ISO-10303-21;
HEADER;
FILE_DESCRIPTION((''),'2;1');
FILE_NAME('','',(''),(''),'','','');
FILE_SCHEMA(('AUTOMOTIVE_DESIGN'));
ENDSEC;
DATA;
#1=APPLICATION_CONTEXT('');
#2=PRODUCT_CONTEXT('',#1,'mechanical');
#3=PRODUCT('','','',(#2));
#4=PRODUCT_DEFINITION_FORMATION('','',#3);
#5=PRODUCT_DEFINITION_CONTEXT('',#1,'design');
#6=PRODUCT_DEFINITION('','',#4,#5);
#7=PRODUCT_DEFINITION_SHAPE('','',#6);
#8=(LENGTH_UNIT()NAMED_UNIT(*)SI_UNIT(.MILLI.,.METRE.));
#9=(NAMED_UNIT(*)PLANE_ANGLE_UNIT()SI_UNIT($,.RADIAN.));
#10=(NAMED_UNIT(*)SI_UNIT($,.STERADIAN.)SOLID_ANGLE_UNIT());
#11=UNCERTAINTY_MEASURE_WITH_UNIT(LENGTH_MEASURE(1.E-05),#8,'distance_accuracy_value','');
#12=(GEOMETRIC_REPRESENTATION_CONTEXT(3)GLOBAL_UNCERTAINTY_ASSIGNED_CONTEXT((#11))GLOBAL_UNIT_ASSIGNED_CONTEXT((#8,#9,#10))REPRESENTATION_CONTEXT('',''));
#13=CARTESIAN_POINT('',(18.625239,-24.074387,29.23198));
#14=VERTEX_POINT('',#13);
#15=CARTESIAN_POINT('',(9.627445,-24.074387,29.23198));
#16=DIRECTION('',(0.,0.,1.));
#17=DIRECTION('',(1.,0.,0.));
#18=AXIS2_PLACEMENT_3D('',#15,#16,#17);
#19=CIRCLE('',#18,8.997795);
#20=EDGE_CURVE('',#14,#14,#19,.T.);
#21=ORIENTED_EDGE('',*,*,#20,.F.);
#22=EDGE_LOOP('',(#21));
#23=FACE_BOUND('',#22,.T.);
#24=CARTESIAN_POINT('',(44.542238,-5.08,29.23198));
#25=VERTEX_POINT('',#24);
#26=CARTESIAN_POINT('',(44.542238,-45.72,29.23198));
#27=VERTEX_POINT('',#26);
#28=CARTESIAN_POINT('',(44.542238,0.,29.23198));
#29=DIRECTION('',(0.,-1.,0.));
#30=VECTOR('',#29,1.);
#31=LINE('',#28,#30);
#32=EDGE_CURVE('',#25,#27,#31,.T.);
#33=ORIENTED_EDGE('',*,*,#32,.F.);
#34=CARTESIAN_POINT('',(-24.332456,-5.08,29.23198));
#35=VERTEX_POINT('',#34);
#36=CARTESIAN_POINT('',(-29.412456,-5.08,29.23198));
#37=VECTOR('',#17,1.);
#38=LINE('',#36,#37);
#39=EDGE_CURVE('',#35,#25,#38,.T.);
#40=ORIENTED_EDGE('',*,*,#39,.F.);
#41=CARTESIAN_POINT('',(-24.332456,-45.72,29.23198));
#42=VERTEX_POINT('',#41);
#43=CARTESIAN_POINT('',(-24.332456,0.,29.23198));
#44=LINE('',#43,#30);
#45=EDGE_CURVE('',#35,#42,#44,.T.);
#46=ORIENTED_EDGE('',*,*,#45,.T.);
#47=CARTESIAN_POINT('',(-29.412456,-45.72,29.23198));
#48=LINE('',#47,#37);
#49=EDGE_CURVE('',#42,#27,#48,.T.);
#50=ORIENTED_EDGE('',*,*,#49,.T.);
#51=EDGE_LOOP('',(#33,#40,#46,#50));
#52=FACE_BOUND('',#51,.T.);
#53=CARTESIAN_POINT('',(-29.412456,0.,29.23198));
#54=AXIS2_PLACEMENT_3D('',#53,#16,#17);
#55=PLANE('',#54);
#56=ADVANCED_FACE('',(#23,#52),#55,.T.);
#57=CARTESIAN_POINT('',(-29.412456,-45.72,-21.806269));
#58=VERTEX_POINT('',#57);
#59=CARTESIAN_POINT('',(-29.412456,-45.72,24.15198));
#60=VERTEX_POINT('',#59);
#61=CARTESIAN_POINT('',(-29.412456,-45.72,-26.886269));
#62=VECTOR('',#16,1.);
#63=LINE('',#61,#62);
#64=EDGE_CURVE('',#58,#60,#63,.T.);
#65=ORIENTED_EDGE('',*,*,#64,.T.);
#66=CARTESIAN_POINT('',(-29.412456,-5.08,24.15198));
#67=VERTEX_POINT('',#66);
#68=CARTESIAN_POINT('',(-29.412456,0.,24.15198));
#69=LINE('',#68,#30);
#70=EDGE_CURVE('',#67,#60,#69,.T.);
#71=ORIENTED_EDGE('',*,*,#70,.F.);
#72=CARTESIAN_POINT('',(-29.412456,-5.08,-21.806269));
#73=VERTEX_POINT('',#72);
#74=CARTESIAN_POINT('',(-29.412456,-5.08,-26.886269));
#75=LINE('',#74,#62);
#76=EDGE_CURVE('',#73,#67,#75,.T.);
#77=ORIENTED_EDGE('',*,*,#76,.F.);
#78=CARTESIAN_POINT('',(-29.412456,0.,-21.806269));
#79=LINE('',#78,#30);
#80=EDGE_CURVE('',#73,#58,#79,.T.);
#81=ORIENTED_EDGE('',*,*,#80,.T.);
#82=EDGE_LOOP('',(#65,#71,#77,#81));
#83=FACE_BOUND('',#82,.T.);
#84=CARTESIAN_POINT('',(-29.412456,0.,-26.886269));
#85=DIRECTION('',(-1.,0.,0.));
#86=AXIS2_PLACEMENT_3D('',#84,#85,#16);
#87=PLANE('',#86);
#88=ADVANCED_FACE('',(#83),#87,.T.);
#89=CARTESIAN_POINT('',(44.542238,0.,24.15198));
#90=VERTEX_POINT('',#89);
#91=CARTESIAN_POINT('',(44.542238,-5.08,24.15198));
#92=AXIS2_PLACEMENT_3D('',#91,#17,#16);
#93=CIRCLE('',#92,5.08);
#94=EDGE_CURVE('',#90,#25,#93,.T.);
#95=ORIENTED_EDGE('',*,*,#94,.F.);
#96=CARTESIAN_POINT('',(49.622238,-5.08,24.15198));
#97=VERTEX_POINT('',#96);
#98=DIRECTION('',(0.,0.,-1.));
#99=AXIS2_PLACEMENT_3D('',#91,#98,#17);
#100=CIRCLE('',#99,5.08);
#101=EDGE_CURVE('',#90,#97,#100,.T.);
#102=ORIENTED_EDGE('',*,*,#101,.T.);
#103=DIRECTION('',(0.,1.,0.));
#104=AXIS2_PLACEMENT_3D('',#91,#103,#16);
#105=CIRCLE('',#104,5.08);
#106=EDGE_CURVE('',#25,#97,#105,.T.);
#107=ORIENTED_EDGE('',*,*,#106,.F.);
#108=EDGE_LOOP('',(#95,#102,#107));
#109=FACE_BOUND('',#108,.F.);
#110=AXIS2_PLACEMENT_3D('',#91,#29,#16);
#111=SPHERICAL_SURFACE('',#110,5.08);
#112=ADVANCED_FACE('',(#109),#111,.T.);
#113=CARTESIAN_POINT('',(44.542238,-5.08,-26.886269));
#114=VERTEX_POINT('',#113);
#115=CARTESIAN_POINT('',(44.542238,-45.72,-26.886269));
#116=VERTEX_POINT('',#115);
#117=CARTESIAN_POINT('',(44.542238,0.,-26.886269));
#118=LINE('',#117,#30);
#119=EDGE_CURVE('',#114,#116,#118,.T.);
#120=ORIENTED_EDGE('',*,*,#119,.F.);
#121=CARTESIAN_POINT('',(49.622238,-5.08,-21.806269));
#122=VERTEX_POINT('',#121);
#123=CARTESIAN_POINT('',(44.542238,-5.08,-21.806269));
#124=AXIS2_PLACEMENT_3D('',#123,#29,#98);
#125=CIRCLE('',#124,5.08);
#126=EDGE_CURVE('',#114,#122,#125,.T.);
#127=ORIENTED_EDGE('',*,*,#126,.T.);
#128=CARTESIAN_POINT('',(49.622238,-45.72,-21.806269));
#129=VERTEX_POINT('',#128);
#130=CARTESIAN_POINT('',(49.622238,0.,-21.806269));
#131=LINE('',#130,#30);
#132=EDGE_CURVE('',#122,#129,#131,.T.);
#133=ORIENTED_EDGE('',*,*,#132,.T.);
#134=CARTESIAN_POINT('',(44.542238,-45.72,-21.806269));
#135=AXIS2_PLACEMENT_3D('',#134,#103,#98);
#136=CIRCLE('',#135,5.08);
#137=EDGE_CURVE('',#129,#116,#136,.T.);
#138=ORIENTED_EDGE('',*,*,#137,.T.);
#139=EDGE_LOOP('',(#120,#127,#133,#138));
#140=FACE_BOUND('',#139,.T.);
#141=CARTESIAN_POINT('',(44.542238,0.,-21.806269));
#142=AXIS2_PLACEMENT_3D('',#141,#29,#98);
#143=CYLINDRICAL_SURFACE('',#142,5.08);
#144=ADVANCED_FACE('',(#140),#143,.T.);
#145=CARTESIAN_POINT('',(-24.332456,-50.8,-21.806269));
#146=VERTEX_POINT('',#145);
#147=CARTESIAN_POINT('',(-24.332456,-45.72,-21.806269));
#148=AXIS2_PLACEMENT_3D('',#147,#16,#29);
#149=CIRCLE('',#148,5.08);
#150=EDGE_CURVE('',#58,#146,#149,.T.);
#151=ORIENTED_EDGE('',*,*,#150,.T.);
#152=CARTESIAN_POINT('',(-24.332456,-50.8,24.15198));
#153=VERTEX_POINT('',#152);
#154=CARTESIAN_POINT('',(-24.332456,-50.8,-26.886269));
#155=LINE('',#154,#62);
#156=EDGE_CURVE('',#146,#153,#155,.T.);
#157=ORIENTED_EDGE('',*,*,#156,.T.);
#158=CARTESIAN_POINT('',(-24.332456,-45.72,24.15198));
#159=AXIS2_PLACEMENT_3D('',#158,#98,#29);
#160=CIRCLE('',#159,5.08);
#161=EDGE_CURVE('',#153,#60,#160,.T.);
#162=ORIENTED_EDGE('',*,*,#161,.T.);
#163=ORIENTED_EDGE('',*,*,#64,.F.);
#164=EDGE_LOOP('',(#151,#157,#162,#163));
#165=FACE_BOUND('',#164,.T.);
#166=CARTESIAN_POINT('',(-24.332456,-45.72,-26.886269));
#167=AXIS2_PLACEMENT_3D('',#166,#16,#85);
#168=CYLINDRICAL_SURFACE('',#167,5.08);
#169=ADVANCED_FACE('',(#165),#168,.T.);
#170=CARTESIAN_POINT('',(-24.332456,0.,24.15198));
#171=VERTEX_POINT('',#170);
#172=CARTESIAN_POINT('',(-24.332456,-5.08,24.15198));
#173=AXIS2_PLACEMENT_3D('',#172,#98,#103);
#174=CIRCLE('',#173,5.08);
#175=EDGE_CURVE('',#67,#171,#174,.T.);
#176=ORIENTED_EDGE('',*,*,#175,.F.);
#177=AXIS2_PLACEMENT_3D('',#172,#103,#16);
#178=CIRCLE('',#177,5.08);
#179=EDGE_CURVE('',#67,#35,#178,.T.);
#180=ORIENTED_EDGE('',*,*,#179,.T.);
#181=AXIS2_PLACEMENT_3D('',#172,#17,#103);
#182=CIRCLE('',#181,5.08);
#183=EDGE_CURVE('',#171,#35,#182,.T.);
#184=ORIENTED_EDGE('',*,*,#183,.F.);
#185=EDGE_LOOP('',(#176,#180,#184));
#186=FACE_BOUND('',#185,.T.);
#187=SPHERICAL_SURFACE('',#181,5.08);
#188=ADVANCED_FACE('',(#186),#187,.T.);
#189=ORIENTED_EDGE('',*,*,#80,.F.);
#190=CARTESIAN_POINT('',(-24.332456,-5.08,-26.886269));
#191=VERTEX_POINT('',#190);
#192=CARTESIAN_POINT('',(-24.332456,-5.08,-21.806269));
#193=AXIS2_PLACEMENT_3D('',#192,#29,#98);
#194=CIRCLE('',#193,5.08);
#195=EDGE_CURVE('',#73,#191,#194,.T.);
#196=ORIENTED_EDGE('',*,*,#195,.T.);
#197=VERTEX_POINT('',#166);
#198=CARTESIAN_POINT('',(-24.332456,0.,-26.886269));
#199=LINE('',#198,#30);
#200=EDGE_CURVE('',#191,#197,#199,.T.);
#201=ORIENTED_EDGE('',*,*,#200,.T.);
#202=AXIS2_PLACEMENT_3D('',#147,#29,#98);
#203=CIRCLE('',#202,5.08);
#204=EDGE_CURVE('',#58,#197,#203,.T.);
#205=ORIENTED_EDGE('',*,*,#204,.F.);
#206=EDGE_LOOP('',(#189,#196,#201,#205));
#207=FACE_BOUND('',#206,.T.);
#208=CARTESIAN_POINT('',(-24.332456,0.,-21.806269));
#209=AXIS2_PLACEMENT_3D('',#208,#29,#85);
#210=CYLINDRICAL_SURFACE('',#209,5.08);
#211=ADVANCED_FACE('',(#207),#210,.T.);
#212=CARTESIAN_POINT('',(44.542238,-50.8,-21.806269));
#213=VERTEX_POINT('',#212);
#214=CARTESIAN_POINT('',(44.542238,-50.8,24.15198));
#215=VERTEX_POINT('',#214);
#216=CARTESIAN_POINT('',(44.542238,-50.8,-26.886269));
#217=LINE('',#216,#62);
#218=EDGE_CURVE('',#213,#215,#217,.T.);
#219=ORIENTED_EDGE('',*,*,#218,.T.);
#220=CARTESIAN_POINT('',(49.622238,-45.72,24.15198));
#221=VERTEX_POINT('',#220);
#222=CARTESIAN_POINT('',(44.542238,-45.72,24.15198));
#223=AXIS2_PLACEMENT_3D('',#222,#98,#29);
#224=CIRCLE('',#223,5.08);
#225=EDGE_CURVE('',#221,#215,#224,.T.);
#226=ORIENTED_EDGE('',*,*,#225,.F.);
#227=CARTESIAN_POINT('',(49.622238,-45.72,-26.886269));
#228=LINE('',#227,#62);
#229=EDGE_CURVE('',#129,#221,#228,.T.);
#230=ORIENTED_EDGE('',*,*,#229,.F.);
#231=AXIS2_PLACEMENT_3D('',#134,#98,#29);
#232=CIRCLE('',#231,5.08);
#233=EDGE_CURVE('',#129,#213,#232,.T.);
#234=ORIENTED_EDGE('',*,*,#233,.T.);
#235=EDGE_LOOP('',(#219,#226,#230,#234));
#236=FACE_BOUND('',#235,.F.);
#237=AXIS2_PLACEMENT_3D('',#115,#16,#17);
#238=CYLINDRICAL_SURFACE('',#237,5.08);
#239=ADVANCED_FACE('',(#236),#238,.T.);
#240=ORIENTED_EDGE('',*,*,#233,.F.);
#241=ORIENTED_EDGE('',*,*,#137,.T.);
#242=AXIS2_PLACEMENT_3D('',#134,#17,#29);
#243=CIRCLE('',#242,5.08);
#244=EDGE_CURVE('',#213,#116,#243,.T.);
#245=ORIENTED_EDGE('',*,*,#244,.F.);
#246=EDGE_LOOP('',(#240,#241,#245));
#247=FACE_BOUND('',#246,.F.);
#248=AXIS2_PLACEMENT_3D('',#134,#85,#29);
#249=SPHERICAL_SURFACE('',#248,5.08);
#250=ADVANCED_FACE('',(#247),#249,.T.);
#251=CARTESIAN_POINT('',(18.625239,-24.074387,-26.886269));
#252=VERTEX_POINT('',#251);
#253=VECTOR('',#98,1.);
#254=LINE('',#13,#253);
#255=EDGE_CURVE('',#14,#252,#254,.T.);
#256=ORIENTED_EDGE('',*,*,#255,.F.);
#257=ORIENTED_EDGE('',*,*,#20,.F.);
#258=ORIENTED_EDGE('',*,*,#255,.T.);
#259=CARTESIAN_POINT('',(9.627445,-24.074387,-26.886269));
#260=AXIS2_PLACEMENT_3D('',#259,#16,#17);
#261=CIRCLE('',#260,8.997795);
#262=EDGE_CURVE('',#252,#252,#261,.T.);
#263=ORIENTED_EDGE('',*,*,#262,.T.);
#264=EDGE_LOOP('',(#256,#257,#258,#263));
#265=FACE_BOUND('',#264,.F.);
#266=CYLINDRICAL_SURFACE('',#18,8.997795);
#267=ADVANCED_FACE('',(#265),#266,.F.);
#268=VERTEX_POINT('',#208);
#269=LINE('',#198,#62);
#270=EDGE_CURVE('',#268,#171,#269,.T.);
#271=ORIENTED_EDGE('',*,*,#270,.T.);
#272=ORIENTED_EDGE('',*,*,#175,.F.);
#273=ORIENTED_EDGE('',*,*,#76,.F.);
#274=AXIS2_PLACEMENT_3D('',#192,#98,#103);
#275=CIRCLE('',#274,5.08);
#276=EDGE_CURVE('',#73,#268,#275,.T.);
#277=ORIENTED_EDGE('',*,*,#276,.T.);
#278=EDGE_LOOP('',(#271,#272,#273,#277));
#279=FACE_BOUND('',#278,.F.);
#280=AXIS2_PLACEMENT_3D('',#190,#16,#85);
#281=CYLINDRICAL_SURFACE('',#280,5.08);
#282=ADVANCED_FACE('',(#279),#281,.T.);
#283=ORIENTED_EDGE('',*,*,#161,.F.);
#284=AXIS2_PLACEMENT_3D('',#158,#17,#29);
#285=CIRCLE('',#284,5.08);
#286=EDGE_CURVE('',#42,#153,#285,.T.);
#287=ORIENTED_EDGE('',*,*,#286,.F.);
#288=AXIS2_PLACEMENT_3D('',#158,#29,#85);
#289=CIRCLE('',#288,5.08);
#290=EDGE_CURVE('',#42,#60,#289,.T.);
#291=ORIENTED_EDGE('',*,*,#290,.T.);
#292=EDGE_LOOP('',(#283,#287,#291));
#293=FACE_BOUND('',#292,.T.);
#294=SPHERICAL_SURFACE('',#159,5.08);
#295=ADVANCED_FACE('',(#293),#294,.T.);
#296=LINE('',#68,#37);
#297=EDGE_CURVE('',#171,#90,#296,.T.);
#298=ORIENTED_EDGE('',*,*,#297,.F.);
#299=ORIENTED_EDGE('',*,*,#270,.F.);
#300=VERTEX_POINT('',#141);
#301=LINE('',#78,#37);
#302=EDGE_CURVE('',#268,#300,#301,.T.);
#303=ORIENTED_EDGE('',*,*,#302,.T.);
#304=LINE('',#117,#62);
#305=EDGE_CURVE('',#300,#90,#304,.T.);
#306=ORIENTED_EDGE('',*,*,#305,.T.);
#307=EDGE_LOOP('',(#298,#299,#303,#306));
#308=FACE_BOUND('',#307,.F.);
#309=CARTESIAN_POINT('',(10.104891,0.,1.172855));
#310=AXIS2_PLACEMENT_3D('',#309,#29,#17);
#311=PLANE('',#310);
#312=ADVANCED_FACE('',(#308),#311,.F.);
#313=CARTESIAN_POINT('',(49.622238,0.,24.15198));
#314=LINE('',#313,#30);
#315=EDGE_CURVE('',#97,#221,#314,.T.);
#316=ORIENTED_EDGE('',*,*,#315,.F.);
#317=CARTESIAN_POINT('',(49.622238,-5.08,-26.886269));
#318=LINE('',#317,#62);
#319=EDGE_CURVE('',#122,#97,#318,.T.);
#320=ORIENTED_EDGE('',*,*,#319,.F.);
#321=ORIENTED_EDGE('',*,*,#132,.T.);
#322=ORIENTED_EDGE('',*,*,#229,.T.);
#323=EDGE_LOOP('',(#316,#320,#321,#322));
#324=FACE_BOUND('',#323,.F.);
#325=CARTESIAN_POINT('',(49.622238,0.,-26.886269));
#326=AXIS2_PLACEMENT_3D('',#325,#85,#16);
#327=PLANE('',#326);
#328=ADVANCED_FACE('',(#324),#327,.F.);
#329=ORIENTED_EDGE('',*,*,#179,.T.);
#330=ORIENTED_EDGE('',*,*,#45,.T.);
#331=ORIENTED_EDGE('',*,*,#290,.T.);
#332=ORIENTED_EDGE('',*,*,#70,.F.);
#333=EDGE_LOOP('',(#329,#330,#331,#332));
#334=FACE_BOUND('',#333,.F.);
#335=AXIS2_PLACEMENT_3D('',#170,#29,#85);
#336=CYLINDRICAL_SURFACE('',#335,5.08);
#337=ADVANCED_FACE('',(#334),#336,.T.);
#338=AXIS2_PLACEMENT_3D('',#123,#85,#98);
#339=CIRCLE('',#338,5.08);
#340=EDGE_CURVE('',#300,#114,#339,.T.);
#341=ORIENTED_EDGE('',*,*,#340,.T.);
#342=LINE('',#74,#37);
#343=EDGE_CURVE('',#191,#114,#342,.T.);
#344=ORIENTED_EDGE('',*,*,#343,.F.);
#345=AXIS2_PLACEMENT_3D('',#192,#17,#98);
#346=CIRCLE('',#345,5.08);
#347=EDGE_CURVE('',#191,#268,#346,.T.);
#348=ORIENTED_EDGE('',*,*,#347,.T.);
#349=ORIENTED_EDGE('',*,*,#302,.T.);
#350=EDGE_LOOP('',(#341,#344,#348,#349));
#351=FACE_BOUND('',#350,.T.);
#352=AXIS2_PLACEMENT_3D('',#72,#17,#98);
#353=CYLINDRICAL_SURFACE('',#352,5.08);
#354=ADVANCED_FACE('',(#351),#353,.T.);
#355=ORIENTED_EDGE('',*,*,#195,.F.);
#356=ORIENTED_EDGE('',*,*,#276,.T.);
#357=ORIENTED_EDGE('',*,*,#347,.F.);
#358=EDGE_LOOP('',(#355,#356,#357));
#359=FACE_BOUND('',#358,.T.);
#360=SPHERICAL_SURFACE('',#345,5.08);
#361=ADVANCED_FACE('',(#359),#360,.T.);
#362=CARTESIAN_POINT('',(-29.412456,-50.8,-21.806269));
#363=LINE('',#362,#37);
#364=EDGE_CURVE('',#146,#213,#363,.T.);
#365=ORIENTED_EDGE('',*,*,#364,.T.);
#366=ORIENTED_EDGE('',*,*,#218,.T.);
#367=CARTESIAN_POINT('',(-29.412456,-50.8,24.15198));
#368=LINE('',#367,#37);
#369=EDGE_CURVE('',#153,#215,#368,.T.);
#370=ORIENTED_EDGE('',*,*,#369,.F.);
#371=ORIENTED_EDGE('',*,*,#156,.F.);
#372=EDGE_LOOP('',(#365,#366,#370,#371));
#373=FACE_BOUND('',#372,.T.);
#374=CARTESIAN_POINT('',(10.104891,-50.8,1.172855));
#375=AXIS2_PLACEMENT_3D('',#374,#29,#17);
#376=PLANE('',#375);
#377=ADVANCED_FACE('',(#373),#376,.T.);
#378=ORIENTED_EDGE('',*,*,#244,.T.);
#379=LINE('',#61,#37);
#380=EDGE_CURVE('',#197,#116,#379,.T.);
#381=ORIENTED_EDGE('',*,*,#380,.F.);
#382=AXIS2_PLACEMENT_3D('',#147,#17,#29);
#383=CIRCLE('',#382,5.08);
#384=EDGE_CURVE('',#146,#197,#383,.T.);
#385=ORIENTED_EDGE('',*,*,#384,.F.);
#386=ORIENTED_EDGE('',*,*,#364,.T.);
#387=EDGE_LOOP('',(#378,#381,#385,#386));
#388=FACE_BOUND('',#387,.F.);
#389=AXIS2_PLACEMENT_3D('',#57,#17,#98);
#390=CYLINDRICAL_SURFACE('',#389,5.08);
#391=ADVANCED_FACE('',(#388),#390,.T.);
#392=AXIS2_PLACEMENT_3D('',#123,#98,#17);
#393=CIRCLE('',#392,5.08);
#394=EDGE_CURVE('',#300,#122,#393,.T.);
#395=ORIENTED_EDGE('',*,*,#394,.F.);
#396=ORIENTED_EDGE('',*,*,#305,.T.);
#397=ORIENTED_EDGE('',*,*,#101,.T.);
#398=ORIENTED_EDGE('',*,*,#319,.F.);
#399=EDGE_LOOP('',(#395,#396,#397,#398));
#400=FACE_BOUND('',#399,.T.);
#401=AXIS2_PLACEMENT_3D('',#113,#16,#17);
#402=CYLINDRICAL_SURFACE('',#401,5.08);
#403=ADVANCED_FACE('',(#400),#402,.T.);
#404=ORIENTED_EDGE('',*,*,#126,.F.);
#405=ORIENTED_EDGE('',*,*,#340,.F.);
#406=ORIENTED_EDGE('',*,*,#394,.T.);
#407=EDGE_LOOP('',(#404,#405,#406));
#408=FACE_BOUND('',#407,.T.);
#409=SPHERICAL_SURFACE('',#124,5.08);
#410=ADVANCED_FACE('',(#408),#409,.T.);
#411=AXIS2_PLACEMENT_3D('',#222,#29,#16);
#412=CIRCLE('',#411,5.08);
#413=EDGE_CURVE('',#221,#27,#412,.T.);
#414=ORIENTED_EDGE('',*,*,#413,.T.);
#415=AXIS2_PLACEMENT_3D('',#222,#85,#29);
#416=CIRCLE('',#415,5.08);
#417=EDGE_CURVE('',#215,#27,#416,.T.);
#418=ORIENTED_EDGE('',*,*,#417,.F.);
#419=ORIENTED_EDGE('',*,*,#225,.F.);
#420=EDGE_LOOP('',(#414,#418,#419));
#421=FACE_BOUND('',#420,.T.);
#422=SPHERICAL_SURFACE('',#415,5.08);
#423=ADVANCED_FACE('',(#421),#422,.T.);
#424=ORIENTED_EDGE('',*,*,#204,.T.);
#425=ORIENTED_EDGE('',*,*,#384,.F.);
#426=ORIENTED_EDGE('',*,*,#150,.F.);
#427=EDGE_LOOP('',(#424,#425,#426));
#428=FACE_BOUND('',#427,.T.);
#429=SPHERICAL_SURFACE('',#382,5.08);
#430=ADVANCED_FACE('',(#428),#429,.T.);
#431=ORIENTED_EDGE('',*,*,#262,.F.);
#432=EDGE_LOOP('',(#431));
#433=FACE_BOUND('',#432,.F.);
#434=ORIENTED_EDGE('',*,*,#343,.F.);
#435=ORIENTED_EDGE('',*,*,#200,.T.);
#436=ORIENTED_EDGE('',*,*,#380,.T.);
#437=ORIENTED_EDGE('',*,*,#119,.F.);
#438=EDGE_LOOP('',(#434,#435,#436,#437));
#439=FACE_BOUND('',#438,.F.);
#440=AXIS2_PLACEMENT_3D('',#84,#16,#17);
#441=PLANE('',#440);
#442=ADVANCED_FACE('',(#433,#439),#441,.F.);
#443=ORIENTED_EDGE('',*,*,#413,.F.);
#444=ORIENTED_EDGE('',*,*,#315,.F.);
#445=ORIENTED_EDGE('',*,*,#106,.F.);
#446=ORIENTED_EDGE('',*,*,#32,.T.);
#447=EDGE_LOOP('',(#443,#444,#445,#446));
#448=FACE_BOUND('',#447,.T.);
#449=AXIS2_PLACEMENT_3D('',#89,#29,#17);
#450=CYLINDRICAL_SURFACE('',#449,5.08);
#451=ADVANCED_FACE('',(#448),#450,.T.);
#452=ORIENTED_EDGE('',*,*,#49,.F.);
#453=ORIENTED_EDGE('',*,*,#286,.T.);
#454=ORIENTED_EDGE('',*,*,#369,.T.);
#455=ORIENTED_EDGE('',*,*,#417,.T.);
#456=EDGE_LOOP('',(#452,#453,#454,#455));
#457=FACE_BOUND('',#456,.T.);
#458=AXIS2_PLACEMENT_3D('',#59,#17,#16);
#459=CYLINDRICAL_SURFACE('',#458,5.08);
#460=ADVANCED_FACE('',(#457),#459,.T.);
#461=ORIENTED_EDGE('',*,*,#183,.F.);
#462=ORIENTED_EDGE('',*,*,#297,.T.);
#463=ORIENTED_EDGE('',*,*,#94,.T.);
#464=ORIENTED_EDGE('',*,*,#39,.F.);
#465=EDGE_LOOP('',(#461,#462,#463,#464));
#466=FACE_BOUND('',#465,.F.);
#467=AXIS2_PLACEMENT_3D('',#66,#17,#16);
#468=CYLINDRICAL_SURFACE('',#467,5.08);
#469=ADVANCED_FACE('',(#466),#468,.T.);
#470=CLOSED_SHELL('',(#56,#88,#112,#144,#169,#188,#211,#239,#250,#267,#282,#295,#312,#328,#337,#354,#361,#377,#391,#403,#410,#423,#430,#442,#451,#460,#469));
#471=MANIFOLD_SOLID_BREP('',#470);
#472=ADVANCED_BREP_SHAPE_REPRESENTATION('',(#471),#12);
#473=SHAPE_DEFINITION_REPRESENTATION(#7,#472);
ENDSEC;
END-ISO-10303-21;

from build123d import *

# Parameters (mm, degrees)
F0_W     = 79.0346935391
F0_H     = 56.1182498932
F1_DEPTH = 50.8
F2_R     = 5.08
F3_R     = 8.9977946324
F4_DEPTH = 56.1192498932


with BuildPart() as f1:
    # F0 (on Front) → F1 (new body)
    with BuildSketch(Plane.XZ):
        with Locations((10.1048909128, 1.1728554964)):
            Rectangle(F0_W, F0_H)
    extrude(amount=F1_DEPTH)

    # F2
    f2_edges = [f1.edges().sort_by_distance(p)[0] for p in [
        (10.104891, -50.8, -26.886269),
        (-29.412456, -50.8, 1.172855),
        (10.104891, -50.8, 29.23198),
        (49.622238, -50.8, 1.172855),
        (49.622238, -25.4, -26.886269),
        (10.104891, 0, -26.886269),
        (-29.412456, -25.4, -26.886269),
        (49.622238, -25.4, 29.23198),
        (10.104891, 0, 29.23198),
        (-29.412456, 0, 1.172855),
        (49.622238, 0, 1.172855),
        (-29.412456, -25.4, 29.23198),
    ]]
    fillet(f2_edges, radius=F2_R)

    # F3 (on face) → F4 (cut, through all)
    with BuildSketch(Plane.XY.offset(29.231980443)):
        with Locations((9.6274446696, -24.0743868053)):
            Circle(F3_R)
    extrude(amount=-F4_DEPTH, mode=Mode.SUBTRACT)


solid = f1.part
